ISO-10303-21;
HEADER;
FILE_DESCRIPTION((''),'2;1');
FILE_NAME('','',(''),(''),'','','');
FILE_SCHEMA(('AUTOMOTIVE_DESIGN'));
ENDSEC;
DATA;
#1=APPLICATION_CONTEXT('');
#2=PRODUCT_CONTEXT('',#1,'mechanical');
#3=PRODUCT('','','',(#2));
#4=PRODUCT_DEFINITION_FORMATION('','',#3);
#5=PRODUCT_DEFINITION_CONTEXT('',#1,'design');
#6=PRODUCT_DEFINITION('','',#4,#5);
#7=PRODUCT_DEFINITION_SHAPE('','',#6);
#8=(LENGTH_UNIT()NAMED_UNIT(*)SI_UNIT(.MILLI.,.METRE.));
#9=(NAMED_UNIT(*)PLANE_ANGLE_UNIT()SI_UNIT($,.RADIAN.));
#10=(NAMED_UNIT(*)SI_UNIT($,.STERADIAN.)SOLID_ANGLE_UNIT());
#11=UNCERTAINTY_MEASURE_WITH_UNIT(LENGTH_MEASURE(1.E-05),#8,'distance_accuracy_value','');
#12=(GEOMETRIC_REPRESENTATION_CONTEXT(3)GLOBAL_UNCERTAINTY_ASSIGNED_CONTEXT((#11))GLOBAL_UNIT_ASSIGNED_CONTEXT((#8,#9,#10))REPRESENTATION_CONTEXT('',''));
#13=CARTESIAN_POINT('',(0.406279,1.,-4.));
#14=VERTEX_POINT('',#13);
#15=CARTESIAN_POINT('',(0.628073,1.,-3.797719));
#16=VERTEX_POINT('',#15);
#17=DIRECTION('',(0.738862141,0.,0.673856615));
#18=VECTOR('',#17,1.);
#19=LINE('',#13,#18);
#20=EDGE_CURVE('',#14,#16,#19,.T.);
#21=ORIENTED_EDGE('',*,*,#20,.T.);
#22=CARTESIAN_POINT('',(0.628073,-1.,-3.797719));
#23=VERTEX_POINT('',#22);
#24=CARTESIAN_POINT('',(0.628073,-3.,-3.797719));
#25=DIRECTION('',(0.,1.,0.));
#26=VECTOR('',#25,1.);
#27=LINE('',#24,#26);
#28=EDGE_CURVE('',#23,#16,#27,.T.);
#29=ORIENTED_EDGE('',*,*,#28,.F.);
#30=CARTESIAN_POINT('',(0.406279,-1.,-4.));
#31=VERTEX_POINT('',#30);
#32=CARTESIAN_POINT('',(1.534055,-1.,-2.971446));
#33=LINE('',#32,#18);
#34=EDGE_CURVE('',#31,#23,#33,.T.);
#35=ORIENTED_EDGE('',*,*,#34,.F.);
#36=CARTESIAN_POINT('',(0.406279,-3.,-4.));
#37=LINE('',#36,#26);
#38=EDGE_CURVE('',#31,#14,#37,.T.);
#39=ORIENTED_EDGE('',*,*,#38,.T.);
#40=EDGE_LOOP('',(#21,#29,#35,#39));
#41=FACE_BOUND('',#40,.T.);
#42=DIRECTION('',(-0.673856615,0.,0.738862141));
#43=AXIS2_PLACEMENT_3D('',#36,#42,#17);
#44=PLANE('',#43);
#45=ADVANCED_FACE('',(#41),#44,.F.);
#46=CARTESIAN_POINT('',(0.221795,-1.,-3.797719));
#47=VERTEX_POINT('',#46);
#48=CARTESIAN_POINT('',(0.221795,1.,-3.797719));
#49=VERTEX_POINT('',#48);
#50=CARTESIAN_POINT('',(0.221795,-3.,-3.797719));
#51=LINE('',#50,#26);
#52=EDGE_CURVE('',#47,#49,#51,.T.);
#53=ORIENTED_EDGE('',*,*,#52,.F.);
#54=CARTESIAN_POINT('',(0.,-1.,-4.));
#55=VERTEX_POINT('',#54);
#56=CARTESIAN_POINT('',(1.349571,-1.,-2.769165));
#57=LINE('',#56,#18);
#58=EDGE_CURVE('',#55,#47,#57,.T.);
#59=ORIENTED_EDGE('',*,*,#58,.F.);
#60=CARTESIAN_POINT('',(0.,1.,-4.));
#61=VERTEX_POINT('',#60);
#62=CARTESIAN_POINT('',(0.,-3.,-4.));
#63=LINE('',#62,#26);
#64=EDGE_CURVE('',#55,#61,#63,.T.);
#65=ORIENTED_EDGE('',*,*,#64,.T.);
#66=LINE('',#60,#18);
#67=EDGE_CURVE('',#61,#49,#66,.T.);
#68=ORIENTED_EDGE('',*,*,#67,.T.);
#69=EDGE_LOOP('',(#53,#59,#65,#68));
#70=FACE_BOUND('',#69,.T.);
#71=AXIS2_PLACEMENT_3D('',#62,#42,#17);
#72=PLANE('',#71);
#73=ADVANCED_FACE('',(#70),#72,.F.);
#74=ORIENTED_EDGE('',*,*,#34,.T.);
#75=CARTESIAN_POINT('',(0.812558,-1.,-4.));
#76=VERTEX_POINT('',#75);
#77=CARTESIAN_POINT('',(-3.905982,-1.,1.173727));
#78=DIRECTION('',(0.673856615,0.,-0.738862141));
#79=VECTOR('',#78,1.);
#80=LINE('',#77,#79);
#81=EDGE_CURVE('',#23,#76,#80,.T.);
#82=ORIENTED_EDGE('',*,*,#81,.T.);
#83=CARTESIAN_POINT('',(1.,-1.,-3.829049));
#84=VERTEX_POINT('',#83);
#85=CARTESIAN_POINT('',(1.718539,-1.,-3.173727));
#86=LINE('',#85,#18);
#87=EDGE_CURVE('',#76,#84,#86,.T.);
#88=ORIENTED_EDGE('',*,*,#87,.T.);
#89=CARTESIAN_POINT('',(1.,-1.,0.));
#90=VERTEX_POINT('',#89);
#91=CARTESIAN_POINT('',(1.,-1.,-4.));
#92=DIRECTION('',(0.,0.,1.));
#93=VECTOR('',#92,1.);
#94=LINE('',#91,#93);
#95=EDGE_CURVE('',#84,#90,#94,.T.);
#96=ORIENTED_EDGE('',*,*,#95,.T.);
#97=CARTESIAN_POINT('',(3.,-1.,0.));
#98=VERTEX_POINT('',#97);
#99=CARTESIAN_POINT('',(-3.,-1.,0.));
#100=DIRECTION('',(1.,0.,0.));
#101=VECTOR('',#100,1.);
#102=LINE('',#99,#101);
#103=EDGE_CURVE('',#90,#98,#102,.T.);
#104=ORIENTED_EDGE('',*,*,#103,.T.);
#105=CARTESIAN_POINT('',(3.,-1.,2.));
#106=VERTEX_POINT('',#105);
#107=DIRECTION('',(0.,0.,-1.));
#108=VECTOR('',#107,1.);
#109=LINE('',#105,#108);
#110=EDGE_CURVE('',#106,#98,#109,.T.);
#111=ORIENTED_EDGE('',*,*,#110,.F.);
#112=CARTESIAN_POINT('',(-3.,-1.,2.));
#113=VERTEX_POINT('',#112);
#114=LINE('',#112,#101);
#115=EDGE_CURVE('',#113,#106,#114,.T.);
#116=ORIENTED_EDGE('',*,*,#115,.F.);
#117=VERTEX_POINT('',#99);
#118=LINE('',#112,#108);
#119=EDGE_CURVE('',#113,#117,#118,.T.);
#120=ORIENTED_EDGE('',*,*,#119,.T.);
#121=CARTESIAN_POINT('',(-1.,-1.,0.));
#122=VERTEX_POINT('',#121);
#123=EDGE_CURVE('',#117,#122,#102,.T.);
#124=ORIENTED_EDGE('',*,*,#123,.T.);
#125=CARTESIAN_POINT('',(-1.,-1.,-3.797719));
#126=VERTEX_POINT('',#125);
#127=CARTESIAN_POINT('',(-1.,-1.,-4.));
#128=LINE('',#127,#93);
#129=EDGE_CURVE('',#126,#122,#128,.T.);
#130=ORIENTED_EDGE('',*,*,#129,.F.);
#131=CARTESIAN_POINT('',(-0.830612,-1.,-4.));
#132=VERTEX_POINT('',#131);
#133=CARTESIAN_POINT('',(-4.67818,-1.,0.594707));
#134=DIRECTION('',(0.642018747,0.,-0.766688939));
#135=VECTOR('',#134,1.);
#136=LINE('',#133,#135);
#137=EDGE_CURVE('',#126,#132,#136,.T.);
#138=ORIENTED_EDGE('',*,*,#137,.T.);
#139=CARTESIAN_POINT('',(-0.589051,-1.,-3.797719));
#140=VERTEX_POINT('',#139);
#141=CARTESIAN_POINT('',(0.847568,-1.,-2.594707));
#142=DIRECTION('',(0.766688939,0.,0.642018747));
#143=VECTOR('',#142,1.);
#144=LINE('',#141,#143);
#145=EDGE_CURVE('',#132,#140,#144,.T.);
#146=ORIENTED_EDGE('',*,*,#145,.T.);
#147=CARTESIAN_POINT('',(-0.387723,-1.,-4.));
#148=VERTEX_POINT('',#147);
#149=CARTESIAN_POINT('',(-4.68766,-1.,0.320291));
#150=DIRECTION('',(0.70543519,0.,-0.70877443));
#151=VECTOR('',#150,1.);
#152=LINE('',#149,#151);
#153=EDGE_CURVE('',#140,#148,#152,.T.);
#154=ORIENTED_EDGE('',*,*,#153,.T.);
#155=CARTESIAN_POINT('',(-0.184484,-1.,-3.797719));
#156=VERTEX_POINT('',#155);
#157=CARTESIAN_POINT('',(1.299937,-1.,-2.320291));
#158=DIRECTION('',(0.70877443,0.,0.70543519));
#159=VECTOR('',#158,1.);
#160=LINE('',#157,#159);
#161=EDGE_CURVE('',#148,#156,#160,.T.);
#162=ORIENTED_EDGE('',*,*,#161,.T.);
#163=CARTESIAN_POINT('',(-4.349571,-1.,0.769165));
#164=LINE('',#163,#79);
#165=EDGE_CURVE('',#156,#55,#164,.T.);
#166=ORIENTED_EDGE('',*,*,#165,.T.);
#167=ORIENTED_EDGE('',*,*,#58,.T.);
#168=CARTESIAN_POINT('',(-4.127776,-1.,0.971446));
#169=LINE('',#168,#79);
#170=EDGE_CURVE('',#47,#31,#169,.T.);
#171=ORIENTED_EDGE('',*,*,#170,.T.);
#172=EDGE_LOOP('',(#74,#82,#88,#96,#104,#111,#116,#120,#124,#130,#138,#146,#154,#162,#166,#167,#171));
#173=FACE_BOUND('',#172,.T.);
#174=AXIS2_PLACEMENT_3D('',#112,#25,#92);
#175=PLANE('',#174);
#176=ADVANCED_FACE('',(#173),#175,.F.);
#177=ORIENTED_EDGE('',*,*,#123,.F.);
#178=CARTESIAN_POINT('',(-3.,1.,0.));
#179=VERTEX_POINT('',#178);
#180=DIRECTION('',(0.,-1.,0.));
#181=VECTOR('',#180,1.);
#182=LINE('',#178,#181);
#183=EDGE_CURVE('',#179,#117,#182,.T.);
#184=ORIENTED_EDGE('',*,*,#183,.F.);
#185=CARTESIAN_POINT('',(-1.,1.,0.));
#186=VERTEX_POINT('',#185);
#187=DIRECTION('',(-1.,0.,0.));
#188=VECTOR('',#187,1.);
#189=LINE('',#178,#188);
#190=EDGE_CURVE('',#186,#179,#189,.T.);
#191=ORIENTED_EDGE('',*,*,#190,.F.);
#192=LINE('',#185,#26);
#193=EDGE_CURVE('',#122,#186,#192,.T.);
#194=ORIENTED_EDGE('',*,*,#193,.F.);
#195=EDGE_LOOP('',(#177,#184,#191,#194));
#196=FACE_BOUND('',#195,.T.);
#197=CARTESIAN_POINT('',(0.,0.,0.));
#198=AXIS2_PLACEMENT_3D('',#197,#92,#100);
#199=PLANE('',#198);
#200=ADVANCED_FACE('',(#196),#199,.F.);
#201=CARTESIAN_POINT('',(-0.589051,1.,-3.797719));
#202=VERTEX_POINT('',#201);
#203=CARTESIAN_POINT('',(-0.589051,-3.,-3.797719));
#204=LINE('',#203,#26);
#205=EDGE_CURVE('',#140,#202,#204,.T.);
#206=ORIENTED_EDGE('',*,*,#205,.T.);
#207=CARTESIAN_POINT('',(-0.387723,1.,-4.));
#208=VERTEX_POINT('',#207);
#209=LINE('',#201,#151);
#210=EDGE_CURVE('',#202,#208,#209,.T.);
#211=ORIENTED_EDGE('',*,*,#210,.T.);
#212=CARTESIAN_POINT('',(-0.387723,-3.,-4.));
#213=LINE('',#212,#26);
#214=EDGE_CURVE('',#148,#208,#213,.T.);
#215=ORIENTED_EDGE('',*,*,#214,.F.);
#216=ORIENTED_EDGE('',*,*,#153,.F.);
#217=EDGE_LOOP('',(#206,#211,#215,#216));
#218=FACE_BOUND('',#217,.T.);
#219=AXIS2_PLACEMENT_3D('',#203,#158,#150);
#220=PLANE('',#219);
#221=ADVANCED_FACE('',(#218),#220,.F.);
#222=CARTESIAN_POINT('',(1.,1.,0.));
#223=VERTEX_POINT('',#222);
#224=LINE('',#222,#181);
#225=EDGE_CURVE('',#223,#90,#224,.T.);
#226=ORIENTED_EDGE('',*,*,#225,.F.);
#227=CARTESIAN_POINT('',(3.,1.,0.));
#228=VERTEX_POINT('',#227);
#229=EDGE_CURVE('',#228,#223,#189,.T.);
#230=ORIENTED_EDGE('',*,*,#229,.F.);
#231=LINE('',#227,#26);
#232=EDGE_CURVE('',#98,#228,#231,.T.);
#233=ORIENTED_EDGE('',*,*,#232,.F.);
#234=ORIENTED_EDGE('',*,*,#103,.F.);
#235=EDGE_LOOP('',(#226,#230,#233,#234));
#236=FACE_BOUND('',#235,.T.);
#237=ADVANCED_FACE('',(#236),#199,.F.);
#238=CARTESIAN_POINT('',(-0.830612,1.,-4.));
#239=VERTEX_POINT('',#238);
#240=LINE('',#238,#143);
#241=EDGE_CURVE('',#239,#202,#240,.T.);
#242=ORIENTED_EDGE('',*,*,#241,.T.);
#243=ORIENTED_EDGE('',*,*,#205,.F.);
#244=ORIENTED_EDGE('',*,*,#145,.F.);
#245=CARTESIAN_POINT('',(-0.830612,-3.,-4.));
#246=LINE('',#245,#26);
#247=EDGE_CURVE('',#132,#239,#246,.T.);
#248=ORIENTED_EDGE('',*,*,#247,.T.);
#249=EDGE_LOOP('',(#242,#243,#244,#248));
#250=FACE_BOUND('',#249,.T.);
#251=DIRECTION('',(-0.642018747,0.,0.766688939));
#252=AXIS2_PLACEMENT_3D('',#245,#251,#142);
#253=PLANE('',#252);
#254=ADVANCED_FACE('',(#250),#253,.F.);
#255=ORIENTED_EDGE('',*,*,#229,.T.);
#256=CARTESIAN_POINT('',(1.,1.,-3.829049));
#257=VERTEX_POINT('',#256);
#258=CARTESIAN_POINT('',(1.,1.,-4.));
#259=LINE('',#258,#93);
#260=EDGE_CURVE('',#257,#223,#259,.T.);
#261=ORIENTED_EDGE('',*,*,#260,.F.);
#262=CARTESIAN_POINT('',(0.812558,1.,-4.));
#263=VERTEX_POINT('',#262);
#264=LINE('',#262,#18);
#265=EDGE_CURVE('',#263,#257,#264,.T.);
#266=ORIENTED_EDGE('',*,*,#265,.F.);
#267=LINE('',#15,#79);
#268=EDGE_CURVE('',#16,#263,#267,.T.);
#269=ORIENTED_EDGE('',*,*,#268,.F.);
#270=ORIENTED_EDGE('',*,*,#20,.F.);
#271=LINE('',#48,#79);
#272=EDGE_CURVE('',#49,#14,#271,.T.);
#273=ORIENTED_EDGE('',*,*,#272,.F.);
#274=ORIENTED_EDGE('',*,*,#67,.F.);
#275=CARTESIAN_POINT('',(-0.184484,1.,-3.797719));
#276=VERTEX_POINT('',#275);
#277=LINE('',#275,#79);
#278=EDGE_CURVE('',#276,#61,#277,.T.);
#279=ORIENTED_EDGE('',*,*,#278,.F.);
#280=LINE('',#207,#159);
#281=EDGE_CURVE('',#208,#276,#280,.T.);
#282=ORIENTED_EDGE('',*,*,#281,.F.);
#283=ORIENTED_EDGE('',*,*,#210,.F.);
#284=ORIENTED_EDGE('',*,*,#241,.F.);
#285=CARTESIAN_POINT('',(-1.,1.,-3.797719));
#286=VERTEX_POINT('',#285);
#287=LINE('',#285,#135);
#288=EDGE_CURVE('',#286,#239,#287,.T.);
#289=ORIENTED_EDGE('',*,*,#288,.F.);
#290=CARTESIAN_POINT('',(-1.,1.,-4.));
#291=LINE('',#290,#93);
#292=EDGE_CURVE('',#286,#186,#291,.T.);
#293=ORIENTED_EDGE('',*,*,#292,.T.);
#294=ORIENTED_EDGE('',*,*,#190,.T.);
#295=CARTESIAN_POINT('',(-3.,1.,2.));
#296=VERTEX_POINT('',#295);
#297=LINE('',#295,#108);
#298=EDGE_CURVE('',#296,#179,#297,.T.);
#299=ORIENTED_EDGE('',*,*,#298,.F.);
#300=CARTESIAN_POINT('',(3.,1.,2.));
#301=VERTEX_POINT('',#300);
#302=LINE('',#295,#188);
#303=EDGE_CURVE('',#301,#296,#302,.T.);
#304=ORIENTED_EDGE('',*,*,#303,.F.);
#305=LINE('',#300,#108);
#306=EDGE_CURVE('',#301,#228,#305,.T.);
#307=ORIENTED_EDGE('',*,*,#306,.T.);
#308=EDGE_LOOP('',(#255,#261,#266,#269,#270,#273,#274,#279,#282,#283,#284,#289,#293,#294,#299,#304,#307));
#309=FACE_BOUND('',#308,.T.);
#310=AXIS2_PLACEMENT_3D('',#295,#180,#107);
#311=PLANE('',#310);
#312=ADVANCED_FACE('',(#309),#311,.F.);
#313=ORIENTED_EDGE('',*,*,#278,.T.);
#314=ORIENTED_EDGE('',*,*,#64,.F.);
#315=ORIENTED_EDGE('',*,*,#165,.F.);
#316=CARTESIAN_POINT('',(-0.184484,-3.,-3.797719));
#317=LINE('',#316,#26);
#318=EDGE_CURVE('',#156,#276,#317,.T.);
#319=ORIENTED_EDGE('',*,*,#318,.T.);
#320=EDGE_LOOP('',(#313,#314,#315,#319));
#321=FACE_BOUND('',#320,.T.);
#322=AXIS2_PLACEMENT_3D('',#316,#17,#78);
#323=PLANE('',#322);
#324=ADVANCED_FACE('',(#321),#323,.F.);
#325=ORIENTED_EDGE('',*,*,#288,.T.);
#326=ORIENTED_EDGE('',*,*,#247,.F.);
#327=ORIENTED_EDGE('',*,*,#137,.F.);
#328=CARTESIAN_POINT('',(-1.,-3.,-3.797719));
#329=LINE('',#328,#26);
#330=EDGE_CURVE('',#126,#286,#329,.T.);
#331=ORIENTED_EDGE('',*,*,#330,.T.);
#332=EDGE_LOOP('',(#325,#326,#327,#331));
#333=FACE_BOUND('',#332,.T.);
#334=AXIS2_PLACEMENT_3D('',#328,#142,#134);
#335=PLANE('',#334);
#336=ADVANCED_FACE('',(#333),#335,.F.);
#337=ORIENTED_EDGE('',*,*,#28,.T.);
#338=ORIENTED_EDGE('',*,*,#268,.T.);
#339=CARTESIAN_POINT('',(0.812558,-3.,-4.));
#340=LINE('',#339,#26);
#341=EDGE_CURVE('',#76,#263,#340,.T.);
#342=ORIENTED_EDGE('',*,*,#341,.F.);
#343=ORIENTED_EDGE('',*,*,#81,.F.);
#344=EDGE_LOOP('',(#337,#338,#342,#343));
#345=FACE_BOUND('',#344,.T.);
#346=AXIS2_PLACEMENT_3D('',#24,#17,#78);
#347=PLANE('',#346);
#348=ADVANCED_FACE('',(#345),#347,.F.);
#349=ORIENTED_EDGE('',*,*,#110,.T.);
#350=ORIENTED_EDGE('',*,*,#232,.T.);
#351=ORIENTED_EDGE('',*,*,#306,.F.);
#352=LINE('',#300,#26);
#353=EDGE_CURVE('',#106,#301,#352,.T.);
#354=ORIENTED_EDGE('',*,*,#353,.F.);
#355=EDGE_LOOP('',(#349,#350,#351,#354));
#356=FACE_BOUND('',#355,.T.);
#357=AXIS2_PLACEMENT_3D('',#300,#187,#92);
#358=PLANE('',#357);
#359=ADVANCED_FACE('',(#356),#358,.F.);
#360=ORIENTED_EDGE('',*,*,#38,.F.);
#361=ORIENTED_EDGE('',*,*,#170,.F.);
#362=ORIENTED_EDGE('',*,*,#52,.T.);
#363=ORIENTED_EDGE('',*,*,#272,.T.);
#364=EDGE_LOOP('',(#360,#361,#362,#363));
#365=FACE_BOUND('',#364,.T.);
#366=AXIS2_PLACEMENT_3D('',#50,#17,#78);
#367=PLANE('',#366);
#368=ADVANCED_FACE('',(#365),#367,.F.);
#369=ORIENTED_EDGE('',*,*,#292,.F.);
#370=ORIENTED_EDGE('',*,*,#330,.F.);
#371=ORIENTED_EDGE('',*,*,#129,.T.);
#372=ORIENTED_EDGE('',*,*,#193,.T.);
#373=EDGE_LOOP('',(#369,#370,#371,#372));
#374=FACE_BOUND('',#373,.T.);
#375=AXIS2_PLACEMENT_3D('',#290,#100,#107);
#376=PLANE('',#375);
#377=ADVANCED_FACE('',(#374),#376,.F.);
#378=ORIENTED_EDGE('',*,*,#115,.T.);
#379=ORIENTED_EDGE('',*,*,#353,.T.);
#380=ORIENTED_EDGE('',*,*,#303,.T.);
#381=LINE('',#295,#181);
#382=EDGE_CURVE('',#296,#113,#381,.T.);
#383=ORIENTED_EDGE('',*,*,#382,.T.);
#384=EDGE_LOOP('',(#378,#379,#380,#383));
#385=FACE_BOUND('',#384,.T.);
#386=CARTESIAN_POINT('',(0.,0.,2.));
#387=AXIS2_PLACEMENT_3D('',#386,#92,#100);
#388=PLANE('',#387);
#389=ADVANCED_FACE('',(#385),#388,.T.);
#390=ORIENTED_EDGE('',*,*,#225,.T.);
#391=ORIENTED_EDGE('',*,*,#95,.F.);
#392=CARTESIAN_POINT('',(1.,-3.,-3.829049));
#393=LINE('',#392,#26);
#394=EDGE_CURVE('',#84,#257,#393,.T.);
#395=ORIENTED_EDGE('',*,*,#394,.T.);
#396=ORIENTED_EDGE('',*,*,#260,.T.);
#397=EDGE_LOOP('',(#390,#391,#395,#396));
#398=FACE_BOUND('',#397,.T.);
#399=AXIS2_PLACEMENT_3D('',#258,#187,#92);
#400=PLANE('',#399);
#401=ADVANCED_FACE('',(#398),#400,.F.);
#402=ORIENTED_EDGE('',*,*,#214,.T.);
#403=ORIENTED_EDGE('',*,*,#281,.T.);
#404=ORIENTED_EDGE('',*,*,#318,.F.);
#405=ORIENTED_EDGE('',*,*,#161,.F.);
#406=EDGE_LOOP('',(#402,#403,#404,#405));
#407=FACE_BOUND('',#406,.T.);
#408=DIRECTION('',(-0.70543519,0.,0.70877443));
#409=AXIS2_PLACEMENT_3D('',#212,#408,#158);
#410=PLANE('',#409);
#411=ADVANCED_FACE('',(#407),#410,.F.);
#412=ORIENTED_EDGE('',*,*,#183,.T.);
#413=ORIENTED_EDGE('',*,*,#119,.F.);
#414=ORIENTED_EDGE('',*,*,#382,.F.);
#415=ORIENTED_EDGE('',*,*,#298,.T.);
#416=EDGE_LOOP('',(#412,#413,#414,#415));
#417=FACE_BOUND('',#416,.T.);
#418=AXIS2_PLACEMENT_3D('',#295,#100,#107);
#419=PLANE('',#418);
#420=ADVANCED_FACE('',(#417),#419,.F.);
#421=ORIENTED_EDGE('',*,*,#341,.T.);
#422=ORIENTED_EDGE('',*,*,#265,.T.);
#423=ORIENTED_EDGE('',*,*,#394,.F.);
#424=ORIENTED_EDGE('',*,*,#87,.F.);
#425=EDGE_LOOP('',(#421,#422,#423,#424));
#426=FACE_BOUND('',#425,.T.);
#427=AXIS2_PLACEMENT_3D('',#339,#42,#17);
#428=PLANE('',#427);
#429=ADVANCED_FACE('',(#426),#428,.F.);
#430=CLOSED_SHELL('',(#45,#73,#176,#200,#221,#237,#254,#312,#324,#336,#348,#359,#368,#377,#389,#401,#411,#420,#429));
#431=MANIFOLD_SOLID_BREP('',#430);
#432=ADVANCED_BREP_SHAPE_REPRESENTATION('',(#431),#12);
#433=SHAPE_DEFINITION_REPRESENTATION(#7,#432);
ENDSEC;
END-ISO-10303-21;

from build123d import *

# Parameters (mm, degrees)
SKETCH_1_W          = 6
SKETCH_1_H          = 2
EXTRUDE_1_DEPTH     = 2
SKETCH_2_W          = 2
SKETCH_2_H          = 2
EXTRUDE_2_DEPTH     = 4
CUT_EXTRUDE_1_DEPTH = 4


with BuildPart() as part:
    # 草图1 → 凸台-拉伸1 (new body)
    with BuildSketch(Plane.XY):
        Rectangle(SKETCH_1_W, SKETCH_1_H)
    extrude(amount=EXTRUDE_1_DEPTH)

    # 草图2 → 凸台-拉伸2 (add)
    with BuildSketch(Plane(origin=(0, 0, 0), x_dir=(-1, 0, 0), z_dir=(0, 0, -1))):
        Rectangle(SKETCH_2_W, SKETCH_2_H)
    extrude(amount=EXTRUDE_2_DEPTH)

    # 草图3 → 切除-拉伸1 (cut)
    with BuildSketch(Plane(origin=(0, 1, 0), x_dir=(1, 0, 0), z_dir=(0, 1, 0))):
        Polygon((-1, 3.79771899), (-0.830611616, 4), (-0.589050738, 3.79771899), (-0.387722732, 4), (-0.184484207, 3.79771899), (0, 4), (0.221794632, 3.79771899), (0.406278839, 4), (0.628073471, 3.79771899), (0.812557678, 4), (1, 3.829048964), (1.133730845, 3.829048964), (1.133730845, 4.163918303), (-1.101555404, 4.163918303), (-1.101555404, 3.79771899), align=None)
    extrude(amount=-CUT_EXTRUDE_1_DEPTH, mode=Mode.SUBTRACT)


solid = part.part
